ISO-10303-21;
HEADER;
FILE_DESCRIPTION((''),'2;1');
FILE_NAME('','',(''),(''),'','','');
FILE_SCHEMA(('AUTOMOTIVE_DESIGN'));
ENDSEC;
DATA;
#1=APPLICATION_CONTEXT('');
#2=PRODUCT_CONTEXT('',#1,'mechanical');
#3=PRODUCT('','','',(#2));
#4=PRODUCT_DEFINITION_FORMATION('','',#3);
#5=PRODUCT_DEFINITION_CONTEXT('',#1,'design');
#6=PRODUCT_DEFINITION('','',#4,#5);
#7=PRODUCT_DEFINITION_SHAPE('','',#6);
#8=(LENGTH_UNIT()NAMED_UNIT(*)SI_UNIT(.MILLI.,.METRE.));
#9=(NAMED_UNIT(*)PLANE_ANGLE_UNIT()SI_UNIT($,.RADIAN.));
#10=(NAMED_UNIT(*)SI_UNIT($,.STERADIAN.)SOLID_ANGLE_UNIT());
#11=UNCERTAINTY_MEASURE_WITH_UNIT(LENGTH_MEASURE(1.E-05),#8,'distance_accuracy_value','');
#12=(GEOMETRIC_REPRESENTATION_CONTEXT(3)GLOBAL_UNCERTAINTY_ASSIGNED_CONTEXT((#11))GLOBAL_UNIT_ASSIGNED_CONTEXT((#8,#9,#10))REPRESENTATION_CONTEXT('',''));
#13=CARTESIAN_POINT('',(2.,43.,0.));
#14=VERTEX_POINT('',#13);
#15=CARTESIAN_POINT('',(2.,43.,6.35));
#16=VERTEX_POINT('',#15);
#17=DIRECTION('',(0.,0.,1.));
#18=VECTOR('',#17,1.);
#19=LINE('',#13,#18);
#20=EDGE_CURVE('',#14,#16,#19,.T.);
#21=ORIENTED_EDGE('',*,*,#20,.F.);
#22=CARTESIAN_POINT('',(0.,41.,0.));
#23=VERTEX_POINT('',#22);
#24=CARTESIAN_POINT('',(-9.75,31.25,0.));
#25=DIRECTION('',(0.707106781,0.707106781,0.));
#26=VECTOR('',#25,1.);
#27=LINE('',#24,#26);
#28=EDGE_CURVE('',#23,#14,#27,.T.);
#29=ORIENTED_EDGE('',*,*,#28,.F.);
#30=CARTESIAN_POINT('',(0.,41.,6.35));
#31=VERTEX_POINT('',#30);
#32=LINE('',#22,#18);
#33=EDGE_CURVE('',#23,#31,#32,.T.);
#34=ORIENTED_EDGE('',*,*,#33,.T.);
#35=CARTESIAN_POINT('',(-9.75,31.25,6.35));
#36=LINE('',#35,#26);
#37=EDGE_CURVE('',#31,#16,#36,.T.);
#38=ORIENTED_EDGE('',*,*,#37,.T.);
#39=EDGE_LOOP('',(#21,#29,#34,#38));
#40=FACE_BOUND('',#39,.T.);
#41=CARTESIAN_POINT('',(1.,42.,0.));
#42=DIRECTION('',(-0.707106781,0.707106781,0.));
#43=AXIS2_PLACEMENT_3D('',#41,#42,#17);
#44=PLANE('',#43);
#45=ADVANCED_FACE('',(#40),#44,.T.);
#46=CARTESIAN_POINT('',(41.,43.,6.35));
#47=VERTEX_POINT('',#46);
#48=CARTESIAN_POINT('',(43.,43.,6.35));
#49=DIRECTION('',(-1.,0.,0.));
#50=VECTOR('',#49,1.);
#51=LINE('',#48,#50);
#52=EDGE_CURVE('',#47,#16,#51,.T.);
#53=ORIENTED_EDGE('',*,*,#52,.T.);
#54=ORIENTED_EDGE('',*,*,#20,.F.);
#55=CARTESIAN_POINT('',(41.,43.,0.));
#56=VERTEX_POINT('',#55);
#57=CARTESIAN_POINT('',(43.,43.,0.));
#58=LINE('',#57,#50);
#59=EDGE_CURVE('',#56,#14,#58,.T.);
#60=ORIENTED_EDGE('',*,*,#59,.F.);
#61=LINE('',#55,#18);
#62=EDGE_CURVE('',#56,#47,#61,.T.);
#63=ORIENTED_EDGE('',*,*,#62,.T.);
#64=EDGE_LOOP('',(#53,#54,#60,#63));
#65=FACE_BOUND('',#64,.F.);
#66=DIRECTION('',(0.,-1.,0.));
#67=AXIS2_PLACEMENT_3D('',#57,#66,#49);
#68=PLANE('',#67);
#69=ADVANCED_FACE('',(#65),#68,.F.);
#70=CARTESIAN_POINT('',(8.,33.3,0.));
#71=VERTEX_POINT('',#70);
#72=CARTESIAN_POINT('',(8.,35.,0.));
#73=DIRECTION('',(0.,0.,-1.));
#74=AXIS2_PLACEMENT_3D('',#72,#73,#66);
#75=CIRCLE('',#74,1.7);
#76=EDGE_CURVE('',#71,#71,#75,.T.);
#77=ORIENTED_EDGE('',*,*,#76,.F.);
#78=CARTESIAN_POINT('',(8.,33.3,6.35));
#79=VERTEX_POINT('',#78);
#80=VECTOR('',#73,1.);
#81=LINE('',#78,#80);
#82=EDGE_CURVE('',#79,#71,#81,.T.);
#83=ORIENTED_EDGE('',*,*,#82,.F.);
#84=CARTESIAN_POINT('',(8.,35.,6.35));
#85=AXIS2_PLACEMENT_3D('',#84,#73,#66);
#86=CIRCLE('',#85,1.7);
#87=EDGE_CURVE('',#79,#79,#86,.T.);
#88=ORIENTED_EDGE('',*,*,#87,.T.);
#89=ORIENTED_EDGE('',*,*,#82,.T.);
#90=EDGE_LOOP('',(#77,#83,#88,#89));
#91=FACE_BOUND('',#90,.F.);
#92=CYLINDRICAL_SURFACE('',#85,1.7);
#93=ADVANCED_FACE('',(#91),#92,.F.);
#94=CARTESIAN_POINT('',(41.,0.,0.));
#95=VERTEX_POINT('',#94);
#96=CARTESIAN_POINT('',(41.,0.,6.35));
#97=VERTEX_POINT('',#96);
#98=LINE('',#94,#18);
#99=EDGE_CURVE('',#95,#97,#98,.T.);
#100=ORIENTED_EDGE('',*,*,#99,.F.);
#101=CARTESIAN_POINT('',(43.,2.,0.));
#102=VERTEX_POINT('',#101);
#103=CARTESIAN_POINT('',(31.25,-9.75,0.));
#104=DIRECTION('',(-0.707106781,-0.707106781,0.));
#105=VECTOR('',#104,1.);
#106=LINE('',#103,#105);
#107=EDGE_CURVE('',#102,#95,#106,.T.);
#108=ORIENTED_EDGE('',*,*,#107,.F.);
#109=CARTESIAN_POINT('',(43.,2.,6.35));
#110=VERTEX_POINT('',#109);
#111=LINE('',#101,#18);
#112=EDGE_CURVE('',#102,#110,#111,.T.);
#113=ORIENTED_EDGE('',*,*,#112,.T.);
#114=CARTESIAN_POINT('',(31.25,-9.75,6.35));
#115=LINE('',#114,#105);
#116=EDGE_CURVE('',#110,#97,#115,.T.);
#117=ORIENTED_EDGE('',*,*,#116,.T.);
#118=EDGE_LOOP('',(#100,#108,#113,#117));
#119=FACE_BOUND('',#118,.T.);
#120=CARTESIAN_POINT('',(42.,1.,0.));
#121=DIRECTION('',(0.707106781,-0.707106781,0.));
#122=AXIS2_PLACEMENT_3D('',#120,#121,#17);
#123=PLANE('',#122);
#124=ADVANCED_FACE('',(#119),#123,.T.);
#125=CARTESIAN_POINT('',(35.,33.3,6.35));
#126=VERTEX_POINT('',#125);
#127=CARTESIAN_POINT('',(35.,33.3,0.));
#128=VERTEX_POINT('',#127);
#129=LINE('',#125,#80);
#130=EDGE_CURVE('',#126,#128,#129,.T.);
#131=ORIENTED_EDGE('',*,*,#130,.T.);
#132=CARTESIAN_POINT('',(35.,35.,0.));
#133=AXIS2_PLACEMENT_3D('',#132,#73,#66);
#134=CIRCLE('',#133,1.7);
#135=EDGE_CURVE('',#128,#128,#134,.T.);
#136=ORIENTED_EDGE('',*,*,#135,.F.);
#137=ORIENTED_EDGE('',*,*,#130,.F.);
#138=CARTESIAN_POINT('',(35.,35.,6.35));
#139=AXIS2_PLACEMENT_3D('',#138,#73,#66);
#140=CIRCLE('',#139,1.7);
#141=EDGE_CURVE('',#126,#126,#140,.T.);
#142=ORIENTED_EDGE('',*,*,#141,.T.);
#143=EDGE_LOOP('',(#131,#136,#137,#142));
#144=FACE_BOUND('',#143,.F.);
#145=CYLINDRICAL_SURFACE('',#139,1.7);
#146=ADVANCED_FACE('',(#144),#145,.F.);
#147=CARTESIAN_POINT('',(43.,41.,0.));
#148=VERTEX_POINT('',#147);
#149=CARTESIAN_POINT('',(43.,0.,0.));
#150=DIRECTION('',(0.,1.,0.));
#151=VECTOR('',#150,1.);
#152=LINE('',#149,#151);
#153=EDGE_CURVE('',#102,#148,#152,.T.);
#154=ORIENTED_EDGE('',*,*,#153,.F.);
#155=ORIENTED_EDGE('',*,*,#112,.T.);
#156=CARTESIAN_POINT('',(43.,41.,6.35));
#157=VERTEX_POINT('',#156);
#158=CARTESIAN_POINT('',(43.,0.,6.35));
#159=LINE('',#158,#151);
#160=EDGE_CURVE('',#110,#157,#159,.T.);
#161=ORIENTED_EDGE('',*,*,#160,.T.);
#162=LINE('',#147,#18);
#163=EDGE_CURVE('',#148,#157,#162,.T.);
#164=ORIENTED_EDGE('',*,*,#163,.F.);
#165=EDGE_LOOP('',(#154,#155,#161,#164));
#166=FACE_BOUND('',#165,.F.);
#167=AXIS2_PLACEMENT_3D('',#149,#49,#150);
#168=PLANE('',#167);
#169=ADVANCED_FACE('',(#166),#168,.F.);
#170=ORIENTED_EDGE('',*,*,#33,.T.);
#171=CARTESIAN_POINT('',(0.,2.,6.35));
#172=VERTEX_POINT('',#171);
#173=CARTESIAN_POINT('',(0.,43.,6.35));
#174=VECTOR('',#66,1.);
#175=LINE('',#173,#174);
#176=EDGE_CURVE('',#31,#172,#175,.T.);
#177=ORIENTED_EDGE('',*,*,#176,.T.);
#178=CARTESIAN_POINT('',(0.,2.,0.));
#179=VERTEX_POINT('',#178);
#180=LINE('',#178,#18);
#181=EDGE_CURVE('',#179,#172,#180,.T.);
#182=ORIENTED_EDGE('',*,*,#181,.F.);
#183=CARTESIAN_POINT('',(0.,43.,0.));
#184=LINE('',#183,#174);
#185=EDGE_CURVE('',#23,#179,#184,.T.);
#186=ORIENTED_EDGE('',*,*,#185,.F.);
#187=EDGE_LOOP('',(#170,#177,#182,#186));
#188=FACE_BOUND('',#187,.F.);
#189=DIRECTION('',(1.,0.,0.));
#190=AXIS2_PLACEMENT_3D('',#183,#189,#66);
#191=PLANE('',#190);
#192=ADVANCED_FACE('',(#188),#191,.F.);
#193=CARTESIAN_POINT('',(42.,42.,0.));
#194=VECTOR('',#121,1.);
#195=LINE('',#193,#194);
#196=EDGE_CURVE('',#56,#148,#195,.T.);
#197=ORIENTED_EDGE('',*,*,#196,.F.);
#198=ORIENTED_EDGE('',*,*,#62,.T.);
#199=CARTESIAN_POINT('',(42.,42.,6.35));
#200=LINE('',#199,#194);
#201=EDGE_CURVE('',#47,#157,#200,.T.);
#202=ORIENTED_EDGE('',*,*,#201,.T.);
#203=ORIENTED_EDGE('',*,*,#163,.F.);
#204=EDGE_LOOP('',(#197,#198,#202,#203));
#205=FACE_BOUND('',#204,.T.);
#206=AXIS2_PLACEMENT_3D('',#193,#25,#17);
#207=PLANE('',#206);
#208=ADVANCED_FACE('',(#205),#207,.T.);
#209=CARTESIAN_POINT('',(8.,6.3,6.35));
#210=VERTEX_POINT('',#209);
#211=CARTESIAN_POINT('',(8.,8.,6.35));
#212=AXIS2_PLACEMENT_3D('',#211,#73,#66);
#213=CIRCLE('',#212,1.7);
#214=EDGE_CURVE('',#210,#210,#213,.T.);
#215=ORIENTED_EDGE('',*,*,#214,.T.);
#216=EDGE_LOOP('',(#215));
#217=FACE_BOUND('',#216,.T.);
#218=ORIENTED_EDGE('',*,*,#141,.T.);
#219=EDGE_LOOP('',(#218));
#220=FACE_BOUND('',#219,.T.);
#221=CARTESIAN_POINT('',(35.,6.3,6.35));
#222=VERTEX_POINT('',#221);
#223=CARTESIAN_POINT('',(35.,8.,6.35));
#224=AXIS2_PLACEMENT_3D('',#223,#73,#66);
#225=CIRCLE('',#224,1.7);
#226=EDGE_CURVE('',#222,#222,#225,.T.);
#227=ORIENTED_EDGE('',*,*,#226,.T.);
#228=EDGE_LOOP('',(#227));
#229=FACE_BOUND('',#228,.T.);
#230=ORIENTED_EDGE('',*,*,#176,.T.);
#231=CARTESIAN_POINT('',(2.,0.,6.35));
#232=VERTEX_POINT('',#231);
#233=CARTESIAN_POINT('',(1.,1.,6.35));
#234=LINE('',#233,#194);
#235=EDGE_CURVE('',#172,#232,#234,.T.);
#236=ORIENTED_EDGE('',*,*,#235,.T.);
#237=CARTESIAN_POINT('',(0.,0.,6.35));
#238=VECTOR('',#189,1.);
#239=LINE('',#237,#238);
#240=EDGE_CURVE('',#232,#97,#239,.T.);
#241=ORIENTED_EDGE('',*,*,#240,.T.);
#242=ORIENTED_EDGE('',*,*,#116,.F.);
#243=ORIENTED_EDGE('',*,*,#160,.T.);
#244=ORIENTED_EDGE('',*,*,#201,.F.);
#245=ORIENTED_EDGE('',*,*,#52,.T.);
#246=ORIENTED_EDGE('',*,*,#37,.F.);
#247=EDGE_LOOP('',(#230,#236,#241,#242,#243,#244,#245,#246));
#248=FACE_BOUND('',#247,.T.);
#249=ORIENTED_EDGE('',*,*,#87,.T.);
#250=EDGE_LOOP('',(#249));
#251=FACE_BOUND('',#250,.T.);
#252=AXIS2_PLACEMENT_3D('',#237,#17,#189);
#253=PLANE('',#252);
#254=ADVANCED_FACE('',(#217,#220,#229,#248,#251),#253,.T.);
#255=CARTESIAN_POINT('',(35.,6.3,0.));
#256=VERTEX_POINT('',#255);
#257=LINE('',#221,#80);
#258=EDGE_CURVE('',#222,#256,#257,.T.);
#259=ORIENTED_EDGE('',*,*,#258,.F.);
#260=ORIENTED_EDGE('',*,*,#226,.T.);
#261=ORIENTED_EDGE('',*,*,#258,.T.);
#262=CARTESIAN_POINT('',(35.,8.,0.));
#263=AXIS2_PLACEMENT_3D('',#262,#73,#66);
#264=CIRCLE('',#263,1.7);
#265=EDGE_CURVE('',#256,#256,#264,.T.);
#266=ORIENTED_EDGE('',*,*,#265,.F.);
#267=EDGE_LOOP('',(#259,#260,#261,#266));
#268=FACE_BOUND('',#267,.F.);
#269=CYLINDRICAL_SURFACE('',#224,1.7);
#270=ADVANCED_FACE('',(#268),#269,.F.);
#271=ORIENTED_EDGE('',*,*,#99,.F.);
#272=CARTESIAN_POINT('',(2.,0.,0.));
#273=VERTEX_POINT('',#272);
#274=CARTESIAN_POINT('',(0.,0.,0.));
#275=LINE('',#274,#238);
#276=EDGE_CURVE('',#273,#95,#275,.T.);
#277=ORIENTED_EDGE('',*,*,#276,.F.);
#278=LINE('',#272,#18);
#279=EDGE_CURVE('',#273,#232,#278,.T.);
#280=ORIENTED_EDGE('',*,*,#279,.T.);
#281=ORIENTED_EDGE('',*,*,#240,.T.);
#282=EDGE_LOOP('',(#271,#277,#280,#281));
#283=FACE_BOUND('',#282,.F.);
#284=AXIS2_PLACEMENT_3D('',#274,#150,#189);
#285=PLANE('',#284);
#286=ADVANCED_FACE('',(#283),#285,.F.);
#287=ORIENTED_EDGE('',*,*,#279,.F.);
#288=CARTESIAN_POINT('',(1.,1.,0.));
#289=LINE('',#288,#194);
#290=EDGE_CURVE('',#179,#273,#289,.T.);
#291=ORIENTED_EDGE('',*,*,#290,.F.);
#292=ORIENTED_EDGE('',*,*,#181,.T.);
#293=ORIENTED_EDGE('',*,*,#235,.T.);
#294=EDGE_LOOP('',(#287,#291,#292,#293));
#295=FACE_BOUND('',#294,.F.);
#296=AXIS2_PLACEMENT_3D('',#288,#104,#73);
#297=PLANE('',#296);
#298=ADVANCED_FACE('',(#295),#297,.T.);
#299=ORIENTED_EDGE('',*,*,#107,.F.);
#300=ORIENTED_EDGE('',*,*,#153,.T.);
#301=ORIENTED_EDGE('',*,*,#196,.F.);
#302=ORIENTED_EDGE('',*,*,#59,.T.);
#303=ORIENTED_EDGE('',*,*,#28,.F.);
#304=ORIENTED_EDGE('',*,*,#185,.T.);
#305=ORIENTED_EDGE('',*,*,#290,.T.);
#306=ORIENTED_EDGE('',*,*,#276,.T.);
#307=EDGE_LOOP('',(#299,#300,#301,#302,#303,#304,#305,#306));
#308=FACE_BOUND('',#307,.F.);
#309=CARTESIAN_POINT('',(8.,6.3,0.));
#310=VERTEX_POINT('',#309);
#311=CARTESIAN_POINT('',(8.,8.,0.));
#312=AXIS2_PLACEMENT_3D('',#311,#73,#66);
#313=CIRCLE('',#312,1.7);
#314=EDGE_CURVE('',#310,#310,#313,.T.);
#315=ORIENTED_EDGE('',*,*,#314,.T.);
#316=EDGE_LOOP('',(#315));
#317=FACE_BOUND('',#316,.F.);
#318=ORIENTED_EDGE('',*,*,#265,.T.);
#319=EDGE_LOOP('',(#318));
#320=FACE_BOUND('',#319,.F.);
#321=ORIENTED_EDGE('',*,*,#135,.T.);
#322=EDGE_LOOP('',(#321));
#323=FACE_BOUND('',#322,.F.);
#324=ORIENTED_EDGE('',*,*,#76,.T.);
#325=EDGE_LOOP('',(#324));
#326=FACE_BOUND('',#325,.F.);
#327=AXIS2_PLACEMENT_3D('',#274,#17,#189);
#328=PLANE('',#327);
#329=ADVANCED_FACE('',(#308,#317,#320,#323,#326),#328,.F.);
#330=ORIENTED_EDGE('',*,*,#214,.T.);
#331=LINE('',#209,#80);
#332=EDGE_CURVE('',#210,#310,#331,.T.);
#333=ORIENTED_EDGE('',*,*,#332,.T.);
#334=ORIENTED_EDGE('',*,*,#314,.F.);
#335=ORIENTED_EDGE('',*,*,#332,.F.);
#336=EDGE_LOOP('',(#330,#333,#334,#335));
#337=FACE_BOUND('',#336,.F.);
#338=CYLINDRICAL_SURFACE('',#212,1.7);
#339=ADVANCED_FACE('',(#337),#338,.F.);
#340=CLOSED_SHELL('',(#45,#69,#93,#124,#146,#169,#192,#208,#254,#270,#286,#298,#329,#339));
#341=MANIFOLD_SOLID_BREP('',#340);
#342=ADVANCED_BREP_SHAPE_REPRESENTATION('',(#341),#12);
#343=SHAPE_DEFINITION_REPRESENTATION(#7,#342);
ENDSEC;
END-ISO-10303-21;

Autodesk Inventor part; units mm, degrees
ref_plane "YZ Plane" through (0, 0, 0) normal (1, 0, 0) x (0, 1, 0)
ref_plane "XZ Plane" through (0, 0, 0) normal (0, 1, 0) x (-1, 0, 0)
ref_plane "XY Plane" through (0, 0, 0) normal (0, 0, 1) x (1, 0, 0)
sketch "Sketch1" plane through (0, 0, 0) normal (0, 0, 1) x (1, 0, 0)
  line L0 (0, 0) -> (43, 0)
  line L1 (43, 0) -> (43, 43)
  line L2 (43, 43) -> (0, 43)
  line L3 (0, 43) -> (0, 0)
  dimension "d0" = 43
  dimension "d1" = 43
extrude "Extrusion1" add sketch "Sketch1" along normal blind 6.35
chamfer "Chamfer1" distance 2 angle 45 4 edges at (43, 43, 3.175) (43, 0, 3.175) (0, 43, 3.175) (0, 0, 3.175)
sketch "Sketch2" plane through (0, 0, 6.35) normal (0, 0, 1) x (1, 0, 0)
  line L0 (0, 41) -> (0, 2) projected
  line L1 (43, 2) -> (43, 41) projected
  line L2 (2, 0) -> (41, 0) projected
  line L3 (41, 43) -> (2, 43) projected
  point P0 (0, 0)
  point P1 (8, 8)
  point P2 (35, 8)
  point P3 (35, 35)
  point P4 (8, 35)
  dimension "d7" = 8
  dimension "d8" = 8
  dimension "d9" = 8
  dimension "d10" = 8
  dimension "d11" = 8
  dimension "d12" = 8
hole "Hole1" at (8, 8, 6.35) at (35, 8, 6.35) at (35, 35, 6.35) at (8, 35, 6.35) direction (0, 0, -1) diameter 3.4 depth 7 tip angle 118 clearance for "Flat Head Machine Screw" size "M3" standard "Ansi Metric M Profile"
ref_plane "Work Plane1" through (2, 21.5, 0) normal (0, 1, 0) x (1, 0, 0)
ref_plane "Work Plane2" through (21.5, 2, 0) normal (-1, 0, 0) x (0, 0, 1)
properties part number "Front Armor" material "Polyethylene, High Density"
